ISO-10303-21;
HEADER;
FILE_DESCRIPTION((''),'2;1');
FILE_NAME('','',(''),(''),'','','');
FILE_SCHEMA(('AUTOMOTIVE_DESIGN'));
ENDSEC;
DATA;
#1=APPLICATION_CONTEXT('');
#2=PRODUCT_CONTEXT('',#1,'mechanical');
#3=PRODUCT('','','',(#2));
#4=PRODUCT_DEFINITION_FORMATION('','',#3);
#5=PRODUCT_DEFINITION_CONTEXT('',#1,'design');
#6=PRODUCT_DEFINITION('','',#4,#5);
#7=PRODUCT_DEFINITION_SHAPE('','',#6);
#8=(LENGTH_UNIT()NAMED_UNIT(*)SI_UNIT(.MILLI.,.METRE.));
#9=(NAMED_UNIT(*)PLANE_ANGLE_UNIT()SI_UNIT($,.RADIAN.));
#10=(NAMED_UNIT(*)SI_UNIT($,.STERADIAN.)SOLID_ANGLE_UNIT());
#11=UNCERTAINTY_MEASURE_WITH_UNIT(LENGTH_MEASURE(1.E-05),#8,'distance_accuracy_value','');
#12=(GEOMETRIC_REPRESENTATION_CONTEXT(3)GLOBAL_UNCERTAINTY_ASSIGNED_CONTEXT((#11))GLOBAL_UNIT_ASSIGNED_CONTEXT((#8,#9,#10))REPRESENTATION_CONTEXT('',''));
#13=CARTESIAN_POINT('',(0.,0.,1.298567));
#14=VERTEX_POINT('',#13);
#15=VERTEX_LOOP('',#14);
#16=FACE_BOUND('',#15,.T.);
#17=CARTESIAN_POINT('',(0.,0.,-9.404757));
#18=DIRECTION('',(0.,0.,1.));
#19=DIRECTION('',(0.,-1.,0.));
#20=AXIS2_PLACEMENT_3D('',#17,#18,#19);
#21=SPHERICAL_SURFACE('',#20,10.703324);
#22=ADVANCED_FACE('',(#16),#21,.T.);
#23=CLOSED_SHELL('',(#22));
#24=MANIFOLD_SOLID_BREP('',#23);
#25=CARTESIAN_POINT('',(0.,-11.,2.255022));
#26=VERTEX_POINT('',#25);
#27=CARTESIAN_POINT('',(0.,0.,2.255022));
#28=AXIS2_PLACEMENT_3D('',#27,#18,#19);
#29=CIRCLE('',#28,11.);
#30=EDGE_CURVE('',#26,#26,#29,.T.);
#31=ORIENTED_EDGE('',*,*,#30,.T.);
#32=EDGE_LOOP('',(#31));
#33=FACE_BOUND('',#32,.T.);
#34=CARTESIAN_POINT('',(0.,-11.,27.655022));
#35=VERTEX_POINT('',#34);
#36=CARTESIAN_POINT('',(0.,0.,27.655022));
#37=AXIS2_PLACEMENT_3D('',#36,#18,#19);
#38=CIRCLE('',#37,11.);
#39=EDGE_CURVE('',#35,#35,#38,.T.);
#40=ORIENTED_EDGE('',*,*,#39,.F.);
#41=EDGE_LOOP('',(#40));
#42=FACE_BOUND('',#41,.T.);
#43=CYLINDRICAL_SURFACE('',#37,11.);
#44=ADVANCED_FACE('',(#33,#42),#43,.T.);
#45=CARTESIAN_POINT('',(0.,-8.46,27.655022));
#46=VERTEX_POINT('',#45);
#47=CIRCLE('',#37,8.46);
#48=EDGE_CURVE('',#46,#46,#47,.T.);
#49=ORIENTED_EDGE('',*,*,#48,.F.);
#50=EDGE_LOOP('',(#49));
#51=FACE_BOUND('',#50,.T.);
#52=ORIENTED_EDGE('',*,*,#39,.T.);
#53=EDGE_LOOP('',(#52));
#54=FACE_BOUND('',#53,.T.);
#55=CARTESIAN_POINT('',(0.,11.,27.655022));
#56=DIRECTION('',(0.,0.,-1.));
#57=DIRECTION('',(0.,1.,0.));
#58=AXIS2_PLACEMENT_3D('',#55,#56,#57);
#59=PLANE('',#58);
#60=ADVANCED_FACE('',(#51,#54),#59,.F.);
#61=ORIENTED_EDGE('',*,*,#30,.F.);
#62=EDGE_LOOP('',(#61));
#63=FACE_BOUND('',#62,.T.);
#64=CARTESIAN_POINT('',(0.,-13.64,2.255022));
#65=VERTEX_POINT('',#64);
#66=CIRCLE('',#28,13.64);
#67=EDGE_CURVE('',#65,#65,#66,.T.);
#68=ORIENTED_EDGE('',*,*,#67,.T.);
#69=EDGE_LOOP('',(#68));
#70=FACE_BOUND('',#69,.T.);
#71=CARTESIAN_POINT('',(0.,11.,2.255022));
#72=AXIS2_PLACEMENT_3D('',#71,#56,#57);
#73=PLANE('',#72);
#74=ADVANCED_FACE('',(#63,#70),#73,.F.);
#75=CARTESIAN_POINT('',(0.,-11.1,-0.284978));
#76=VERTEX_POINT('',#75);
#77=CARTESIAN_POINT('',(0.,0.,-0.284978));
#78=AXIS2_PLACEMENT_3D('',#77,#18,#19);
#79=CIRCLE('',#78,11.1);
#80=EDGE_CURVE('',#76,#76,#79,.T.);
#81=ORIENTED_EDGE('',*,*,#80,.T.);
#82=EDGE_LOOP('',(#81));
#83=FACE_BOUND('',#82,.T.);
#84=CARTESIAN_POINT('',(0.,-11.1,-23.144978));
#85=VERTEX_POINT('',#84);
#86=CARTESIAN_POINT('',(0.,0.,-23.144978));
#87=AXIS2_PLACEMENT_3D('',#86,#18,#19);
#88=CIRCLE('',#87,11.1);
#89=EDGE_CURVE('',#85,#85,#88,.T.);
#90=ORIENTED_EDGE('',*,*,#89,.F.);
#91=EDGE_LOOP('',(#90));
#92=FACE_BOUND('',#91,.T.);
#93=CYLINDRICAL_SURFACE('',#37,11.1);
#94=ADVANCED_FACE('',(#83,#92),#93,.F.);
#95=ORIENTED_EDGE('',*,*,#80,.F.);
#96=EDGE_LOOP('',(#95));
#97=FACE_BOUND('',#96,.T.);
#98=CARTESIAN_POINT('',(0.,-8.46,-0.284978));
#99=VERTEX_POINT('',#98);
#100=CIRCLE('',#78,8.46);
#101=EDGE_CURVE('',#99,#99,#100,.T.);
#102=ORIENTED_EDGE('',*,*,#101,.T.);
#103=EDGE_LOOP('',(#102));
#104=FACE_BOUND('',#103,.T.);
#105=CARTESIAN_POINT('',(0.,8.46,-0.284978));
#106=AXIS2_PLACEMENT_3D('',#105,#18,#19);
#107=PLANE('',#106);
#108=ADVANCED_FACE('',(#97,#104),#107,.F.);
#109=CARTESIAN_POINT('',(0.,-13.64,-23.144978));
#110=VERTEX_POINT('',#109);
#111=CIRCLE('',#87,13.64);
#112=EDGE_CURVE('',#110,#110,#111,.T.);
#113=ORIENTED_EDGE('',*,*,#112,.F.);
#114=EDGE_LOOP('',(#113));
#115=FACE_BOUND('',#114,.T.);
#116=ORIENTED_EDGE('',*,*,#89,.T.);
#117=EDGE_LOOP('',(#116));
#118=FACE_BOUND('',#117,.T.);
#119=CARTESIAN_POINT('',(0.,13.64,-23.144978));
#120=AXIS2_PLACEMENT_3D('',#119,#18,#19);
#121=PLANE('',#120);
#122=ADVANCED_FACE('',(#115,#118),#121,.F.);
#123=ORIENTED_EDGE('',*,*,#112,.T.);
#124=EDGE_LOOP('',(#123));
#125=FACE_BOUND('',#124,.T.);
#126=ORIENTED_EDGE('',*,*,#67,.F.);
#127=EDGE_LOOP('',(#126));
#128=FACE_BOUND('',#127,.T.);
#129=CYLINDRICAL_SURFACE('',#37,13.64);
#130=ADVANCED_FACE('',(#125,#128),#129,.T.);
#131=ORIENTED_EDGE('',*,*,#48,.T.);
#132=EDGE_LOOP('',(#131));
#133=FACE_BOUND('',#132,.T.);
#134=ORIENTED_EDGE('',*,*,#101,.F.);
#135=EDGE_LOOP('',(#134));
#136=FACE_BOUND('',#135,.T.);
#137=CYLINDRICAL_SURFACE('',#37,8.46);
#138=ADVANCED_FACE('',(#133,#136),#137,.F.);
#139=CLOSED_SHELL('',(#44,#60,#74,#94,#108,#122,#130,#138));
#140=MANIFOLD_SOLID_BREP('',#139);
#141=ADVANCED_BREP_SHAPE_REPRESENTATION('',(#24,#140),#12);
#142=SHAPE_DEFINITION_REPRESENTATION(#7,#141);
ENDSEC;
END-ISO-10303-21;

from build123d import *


with BuildPart() as part:
    # Sketch1 → Revolve1 (revolve)
    with BuildSketch(Plane(origin=(0, 0, 0), x_dir=(0, 0, -1), z_dir=(1, 0, 0))):
        Polygon((-27.655022434, 11), (-2.255022434, 11), (-2.255022434, 13.64), (23.144977566, 13.64), (23.144977566, 11.1), (0.284977566, 11.1), (0.284977566, 8.46), (-27.655022434, 8.46), align=None)
        with BuildLine():
            Line((-1.298567003, 0), (20.108081425, 0))
            ThreePointArc((20.108081425, 0), (9.404757211, 10.703324214), (-1.298567003, 0))
        make_face()
    revolve(axis=Axis((0, 0, 27.655022434), (0, 0, -1)))


solid = part.part
